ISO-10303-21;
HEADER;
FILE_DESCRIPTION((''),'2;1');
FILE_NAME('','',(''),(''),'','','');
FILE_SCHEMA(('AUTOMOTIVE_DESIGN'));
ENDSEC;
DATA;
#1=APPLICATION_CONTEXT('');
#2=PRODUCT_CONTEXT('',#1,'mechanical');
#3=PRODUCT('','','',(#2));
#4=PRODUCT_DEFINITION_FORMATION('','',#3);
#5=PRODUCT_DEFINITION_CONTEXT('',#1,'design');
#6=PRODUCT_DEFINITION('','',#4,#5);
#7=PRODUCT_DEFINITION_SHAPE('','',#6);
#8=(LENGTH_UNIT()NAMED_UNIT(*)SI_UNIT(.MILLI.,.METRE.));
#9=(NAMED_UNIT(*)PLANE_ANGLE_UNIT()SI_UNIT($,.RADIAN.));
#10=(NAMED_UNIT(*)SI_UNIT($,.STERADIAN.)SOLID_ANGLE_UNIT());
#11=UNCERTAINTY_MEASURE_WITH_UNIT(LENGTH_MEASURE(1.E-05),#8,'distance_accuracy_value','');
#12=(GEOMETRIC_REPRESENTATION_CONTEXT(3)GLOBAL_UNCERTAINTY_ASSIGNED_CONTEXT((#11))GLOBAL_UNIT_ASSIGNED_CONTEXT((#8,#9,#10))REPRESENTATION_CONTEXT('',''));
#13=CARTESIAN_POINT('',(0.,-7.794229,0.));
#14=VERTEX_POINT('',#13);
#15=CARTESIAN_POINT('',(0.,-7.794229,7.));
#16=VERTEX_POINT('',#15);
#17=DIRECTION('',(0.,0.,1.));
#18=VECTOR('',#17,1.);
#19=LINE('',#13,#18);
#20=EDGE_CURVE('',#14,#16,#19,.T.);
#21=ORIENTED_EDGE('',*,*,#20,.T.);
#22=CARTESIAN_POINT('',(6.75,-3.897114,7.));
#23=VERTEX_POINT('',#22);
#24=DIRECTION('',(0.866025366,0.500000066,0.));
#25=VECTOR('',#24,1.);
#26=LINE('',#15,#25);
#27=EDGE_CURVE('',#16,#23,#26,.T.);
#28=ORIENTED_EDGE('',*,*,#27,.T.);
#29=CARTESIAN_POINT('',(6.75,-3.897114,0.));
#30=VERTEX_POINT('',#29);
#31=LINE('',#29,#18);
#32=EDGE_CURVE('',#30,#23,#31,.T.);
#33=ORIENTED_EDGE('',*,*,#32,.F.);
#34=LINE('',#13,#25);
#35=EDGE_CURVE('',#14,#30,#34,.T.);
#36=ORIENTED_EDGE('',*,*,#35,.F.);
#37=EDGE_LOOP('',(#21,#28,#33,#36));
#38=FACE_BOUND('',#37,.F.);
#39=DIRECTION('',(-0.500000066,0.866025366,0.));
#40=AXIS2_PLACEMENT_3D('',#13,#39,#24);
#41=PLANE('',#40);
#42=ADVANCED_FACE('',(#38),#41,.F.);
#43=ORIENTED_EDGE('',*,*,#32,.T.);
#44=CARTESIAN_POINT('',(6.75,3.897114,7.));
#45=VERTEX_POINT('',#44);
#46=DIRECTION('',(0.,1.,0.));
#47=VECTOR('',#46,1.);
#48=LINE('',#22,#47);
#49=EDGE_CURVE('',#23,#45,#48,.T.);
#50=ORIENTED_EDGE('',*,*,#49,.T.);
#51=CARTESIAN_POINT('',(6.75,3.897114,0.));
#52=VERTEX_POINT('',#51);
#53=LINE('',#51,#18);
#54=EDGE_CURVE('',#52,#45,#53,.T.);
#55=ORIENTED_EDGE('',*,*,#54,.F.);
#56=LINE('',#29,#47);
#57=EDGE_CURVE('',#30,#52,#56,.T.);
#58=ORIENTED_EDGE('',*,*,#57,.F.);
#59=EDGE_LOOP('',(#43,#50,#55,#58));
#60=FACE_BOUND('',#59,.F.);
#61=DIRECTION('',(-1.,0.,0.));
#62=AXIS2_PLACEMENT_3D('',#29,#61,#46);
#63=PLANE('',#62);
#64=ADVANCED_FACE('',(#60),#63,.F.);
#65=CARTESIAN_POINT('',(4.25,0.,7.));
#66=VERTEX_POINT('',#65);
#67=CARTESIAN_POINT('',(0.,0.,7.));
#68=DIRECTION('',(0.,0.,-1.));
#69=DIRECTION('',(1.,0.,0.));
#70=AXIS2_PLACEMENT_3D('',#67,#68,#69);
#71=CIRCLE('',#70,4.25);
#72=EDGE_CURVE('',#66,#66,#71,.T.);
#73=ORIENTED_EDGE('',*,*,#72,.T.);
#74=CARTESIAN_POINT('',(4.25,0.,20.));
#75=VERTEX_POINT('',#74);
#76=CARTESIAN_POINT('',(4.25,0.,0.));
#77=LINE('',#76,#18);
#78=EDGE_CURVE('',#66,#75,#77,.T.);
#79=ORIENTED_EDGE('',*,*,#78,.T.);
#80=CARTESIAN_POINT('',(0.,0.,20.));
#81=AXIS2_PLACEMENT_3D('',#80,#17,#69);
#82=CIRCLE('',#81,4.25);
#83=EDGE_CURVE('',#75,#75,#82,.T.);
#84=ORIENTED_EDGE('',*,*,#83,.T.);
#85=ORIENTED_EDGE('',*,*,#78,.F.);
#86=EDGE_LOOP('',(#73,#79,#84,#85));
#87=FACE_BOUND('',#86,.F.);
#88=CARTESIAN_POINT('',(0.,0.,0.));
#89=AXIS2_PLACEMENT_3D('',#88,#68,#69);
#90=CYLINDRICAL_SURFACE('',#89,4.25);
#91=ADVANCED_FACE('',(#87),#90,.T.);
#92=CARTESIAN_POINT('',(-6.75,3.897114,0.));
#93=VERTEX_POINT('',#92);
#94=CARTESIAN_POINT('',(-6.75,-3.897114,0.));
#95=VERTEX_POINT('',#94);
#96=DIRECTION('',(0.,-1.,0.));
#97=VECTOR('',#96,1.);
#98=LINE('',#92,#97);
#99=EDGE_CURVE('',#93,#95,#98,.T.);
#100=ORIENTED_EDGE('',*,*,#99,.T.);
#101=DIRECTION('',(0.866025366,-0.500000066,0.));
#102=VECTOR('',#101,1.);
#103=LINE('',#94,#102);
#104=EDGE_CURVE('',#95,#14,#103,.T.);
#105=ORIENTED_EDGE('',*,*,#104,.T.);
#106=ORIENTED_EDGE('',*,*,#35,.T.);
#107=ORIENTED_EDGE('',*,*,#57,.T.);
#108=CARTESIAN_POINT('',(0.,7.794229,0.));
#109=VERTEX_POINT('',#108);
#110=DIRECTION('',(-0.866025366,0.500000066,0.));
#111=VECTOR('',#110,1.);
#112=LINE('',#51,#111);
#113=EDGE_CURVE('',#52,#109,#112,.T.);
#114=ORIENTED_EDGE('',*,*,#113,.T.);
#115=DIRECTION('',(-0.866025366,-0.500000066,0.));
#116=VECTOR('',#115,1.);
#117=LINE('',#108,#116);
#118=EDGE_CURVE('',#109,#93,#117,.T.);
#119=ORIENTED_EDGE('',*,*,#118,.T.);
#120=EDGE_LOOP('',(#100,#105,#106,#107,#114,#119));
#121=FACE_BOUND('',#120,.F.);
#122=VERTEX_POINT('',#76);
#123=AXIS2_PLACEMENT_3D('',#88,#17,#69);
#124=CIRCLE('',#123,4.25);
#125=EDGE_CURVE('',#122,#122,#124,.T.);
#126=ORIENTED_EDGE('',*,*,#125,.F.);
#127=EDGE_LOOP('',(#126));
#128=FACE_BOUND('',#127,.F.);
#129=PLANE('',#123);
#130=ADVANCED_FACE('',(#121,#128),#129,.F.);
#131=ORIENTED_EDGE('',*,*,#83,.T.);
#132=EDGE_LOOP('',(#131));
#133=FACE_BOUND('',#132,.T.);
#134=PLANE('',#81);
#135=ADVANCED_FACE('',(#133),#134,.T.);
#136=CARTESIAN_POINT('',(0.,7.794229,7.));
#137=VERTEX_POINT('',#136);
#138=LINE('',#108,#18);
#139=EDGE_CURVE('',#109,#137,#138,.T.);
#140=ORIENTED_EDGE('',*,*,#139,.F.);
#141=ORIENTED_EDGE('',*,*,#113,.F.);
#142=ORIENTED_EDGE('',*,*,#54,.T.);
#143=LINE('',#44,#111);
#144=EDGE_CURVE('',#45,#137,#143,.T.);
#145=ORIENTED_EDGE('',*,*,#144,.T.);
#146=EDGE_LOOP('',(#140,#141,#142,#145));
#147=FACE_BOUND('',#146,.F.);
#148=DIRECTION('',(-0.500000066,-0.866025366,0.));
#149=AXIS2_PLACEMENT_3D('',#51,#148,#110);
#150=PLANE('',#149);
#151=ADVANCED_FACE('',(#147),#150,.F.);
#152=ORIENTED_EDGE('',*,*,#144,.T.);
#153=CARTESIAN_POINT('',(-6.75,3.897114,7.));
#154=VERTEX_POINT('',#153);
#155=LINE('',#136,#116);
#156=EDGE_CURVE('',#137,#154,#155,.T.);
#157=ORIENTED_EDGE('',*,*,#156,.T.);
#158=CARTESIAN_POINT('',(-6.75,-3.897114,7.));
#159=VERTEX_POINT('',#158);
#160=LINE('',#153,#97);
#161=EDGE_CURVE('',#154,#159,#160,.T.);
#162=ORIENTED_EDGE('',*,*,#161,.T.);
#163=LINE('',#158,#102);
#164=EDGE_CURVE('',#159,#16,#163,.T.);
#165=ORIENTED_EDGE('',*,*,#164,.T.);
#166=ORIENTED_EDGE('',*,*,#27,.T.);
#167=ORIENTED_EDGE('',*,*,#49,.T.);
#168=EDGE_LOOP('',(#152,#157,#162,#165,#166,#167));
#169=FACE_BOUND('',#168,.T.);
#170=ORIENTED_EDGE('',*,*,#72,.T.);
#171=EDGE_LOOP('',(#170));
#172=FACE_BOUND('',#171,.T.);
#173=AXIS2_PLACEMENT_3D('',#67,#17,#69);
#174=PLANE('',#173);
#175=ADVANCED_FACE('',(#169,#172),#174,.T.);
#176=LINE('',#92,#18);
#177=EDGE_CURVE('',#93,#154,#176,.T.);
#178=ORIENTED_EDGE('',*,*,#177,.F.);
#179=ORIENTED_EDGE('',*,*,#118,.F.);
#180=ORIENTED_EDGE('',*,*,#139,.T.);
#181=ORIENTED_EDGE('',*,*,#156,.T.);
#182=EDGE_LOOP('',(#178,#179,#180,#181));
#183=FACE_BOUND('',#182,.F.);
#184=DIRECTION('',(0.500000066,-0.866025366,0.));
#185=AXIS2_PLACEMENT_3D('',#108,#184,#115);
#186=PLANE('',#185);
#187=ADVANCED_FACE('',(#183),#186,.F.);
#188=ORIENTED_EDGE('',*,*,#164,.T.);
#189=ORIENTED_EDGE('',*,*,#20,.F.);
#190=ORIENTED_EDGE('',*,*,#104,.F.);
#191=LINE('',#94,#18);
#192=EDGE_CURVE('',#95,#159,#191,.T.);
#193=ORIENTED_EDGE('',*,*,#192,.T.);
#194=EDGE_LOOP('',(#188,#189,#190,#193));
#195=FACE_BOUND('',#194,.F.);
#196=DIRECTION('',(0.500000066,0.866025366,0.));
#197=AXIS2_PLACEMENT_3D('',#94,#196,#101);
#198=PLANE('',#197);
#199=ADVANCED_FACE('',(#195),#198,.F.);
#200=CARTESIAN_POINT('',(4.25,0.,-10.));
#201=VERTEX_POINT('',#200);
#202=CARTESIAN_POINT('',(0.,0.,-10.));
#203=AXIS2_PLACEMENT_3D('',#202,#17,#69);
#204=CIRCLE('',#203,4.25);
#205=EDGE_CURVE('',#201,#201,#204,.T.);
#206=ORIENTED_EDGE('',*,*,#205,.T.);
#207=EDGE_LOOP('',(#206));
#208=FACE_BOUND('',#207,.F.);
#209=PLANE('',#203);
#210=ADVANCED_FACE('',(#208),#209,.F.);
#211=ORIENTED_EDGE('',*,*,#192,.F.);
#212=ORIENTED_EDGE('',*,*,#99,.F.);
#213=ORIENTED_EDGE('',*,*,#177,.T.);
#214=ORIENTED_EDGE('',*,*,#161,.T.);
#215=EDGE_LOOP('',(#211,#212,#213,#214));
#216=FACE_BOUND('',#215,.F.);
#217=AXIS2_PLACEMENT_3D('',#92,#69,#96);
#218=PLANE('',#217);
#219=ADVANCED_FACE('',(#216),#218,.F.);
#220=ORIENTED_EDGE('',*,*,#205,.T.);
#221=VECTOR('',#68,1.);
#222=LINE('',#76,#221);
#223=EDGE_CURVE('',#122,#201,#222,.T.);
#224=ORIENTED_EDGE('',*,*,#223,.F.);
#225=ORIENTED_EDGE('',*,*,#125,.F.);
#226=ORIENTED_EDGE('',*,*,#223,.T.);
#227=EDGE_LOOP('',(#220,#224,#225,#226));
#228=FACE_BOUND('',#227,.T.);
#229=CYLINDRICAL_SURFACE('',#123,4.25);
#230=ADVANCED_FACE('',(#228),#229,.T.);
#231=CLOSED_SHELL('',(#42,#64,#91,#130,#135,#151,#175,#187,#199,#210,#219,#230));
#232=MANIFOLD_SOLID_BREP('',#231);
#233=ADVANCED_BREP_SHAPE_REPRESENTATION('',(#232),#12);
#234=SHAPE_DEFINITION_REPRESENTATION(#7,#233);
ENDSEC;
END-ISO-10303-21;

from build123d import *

# Parameters (mm, degrees)
PAD_DEPTH         = 7
SKETCH001_R       = 4.25
PAD001_DEPTH      = 20
PAD001_DEPTH_BACK = 10


with BuildPart() as part:
    # Sketch → Pad (new body)
    with BuildSketch(Plane.XY):
        Polygon((0, -7.794229), (6.75, -3.897114), (6.75, 3.897114), (0, 7.794229), (-6.75, 3.897114), (-6.75, -3.897114), align=None)
    extrude(amount=PAD_DEPTH)

    # Sketch001 → Pad001 (join, two sides)
    with BuildSketch(Plane.XY) as pad001_sk:
        Circle(SKETCH001_R)
    extrude(amount=PAD001_DEPTH)
    extrude(pad001_sk.sketch, amount=-PAD001_DEPTH_BACK)


solid = part.part
